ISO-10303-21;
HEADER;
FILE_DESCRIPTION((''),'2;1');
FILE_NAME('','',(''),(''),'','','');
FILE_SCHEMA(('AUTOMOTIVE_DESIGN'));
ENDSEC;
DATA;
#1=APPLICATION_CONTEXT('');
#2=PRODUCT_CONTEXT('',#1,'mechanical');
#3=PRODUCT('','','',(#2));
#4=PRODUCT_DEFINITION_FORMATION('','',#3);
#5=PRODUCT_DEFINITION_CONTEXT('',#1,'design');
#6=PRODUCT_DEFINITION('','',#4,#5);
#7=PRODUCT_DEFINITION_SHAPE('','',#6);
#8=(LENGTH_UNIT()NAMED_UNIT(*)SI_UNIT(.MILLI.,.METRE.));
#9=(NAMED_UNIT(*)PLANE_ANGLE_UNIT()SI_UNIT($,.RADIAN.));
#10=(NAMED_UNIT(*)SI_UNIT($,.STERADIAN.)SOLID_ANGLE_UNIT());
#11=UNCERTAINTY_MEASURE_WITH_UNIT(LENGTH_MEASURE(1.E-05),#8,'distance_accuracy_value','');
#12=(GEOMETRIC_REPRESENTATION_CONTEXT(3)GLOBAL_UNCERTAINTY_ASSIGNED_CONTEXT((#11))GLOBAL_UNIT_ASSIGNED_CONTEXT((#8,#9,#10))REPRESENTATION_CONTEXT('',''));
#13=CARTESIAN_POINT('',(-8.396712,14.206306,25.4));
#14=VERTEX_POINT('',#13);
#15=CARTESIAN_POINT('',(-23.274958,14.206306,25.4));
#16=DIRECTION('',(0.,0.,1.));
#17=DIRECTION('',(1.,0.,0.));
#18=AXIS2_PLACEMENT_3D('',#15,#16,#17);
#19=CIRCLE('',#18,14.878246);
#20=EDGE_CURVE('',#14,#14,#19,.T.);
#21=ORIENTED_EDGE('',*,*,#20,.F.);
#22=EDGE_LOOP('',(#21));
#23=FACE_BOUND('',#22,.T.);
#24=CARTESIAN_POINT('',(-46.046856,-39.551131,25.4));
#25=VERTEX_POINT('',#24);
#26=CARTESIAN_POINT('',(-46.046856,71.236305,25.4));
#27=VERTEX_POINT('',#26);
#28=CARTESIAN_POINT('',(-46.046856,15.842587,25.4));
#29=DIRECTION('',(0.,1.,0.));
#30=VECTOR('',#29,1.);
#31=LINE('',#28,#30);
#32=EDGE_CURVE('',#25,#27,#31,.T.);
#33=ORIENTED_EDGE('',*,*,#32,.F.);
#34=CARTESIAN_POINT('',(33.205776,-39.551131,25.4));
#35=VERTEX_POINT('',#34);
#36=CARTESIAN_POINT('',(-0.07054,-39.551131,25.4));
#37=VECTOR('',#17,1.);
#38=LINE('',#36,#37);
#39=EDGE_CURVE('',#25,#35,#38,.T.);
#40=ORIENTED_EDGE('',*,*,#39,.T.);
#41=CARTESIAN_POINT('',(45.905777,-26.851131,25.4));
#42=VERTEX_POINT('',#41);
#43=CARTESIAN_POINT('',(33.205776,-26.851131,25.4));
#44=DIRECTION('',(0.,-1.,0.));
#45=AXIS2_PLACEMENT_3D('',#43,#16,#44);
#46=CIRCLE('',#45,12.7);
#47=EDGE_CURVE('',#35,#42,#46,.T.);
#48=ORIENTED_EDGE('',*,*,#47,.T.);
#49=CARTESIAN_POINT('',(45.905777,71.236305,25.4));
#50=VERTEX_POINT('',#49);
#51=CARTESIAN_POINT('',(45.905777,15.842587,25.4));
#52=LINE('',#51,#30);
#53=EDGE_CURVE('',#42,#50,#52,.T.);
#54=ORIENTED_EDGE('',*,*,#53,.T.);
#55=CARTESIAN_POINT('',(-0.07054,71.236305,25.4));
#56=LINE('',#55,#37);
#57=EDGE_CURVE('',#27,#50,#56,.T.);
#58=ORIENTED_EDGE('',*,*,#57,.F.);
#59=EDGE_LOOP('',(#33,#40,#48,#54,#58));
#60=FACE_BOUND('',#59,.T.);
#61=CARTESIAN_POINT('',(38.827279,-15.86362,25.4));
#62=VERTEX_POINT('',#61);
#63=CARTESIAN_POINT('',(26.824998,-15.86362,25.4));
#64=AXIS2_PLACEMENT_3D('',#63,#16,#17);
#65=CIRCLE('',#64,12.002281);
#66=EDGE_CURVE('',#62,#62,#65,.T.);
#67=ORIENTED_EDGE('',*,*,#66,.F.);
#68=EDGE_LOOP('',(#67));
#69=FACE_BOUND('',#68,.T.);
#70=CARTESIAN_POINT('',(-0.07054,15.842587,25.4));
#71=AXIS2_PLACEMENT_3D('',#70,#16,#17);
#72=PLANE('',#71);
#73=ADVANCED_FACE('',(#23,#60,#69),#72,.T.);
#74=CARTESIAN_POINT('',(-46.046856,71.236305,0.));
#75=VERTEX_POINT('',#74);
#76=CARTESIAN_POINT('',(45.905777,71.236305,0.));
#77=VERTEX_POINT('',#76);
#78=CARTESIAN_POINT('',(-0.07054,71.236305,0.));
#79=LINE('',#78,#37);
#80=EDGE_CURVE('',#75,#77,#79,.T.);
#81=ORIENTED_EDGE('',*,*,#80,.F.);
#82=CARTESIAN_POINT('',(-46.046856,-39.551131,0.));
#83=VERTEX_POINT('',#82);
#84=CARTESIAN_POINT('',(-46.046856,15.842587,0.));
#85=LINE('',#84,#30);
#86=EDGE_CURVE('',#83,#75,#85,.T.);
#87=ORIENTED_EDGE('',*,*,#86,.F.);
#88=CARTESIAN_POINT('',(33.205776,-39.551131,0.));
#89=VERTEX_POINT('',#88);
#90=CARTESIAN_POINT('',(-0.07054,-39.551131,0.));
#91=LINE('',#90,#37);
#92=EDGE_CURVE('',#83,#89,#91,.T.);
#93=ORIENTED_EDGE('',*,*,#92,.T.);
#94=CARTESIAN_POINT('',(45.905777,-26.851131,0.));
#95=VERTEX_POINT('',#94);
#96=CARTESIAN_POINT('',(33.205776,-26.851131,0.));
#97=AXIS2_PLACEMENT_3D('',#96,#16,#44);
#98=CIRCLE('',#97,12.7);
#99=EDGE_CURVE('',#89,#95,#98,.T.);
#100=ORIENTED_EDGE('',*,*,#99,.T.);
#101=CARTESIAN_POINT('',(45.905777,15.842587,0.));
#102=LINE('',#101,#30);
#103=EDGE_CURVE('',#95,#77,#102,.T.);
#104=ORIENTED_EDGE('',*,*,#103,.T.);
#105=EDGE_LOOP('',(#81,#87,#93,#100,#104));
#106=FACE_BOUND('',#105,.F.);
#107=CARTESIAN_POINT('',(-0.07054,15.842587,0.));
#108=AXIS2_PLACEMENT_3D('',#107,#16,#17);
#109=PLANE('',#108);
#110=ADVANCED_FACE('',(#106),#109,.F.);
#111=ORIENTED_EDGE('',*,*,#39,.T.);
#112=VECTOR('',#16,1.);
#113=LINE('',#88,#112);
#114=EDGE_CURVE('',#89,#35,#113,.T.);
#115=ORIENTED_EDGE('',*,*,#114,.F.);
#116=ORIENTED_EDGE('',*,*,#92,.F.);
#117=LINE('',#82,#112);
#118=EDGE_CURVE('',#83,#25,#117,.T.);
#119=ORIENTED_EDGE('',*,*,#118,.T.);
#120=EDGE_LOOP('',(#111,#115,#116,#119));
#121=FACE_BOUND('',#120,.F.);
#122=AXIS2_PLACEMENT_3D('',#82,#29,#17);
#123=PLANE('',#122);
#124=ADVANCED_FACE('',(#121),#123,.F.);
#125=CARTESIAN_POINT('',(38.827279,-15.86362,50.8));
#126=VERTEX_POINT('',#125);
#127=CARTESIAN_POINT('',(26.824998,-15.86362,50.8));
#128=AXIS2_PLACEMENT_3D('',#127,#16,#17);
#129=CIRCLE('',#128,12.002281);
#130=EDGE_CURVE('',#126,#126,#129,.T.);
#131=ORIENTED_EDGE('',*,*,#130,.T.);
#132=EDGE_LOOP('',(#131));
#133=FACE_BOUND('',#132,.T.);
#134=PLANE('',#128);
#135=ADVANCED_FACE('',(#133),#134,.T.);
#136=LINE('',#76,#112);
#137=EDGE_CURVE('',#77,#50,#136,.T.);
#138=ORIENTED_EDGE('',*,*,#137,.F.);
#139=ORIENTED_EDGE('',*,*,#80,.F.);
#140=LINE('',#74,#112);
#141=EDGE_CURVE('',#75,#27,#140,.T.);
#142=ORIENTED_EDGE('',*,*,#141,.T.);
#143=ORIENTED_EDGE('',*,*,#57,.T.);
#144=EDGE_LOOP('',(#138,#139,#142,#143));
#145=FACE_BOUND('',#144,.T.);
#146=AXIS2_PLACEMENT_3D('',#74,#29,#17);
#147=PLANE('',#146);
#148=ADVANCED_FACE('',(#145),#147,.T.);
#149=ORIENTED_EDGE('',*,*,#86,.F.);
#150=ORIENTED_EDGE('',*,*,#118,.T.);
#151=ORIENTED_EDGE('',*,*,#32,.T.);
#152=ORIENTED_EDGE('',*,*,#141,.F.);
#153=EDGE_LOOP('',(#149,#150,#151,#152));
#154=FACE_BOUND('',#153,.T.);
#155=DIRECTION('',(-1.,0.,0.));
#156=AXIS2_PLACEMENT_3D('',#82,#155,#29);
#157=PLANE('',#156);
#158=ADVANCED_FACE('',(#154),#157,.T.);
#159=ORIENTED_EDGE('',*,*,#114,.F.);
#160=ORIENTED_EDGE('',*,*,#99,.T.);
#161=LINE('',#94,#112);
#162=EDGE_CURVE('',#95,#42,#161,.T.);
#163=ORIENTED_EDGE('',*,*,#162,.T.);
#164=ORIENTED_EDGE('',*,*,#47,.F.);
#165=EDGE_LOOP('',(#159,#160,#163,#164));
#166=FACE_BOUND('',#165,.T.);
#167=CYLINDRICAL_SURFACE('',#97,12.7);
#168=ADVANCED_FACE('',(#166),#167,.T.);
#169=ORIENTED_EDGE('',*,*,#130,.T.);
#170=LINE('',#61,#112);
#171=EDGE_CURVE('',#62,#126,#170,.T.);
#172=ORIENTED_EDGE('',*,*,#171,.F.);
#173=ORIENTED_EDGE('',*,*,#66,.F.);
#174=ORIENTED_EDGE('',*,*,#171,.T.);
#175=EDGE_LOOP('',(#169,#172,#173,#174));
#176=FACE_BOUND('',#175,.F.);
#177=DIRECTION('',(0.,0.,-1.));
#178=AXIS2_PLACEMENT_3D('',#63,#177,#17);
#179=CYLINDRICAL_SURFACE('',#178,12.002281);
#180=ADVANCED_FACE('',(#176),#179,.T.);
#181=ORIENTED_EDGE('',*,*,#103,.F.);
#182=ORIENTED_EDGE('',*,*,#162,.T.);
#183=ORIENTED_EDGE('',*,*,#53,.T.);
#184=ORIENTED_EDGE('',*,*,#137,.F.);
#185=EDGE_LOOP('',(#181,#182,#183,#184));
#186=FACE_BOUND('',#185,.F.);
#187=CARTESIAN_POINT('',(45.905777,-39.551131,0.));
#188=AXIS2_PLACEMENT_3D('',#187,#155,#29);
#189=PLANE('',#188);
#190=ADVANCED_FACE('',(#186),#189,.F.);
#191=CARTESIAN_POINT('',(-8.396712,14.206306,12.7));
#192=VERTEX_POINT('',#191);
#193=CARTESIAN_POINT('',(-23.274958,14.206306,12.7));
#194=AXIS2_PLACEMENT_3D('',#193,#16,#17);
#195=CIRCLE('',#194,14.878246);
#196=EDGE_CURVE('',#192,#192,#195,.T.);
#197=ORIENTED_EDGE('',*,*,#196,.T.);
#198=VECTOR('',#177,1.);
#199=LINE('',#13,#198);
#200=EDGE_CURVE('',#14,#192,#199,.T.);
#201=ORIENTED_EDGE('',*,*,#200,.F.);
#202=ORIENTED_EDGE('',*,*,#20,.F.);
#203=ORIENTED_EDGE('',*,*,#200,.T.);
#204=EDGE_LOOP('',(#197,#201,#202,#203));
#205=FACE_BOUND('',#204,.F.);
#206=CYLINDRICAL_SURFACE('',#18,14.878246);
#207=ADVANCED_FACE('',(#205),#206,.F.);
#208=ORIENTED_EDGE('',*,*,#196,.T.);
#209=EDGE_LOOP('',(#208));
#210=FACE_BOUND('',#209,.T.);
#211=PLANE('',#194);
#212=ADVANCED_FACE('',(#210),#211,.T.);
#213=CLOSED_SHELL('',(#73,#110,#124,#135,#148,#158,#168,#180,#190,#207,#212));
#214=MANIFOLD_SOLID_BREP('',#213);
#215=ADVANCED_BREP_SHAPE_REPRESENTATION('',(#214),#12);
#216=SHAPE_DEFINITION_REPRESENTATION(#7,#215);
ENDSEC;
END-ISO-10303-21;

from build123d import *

# Parameters (mm, degrees)
F0_W     = 91.952633
F0_H     = 110.787436
F1_DEPTH = 25.4
F2_R     = 12.7
F3_R     = 12.002281
F4_DEPTH = 25.4
F5_R     = 14.878246
F6_DEPTH = 12.7


with BuildPart() as f1:
    # F0 (on Top) → F1 (new body)
    with BuildSketch(Plane.XY):
        with Locations((-0.07054, 15.842587)):
            Rectangle(F0_W, F0_H)
    extrude(amount=F1_DEPTH)

    # F2
    f2_edges = [f1.edges().sort_by_distance(p)[0] for p in [
        (45.905776, -39.551131, 12.7),
    ]]
    fillet(f2_edges, radius=F2_R)

    # F3 (on face) → F4 (join)
    with BuildSketch(Plane.XY.offset(25.4)):
        with Locations((26.824998, -15.86362)):
            Circle(F3_R)
    extrude(amount=F4_DEPTH)

    # F5 (on face) → F6 (cut)
    with BuildSketch(Plane.XY.offset(25.4)):
        with Locations((-23.274958, 14.206306)):
            Circle(F5_R)
    extrude(amount=-F6_DEPTH, mode=Mode.SUBTRACT)


solid = f1.part
